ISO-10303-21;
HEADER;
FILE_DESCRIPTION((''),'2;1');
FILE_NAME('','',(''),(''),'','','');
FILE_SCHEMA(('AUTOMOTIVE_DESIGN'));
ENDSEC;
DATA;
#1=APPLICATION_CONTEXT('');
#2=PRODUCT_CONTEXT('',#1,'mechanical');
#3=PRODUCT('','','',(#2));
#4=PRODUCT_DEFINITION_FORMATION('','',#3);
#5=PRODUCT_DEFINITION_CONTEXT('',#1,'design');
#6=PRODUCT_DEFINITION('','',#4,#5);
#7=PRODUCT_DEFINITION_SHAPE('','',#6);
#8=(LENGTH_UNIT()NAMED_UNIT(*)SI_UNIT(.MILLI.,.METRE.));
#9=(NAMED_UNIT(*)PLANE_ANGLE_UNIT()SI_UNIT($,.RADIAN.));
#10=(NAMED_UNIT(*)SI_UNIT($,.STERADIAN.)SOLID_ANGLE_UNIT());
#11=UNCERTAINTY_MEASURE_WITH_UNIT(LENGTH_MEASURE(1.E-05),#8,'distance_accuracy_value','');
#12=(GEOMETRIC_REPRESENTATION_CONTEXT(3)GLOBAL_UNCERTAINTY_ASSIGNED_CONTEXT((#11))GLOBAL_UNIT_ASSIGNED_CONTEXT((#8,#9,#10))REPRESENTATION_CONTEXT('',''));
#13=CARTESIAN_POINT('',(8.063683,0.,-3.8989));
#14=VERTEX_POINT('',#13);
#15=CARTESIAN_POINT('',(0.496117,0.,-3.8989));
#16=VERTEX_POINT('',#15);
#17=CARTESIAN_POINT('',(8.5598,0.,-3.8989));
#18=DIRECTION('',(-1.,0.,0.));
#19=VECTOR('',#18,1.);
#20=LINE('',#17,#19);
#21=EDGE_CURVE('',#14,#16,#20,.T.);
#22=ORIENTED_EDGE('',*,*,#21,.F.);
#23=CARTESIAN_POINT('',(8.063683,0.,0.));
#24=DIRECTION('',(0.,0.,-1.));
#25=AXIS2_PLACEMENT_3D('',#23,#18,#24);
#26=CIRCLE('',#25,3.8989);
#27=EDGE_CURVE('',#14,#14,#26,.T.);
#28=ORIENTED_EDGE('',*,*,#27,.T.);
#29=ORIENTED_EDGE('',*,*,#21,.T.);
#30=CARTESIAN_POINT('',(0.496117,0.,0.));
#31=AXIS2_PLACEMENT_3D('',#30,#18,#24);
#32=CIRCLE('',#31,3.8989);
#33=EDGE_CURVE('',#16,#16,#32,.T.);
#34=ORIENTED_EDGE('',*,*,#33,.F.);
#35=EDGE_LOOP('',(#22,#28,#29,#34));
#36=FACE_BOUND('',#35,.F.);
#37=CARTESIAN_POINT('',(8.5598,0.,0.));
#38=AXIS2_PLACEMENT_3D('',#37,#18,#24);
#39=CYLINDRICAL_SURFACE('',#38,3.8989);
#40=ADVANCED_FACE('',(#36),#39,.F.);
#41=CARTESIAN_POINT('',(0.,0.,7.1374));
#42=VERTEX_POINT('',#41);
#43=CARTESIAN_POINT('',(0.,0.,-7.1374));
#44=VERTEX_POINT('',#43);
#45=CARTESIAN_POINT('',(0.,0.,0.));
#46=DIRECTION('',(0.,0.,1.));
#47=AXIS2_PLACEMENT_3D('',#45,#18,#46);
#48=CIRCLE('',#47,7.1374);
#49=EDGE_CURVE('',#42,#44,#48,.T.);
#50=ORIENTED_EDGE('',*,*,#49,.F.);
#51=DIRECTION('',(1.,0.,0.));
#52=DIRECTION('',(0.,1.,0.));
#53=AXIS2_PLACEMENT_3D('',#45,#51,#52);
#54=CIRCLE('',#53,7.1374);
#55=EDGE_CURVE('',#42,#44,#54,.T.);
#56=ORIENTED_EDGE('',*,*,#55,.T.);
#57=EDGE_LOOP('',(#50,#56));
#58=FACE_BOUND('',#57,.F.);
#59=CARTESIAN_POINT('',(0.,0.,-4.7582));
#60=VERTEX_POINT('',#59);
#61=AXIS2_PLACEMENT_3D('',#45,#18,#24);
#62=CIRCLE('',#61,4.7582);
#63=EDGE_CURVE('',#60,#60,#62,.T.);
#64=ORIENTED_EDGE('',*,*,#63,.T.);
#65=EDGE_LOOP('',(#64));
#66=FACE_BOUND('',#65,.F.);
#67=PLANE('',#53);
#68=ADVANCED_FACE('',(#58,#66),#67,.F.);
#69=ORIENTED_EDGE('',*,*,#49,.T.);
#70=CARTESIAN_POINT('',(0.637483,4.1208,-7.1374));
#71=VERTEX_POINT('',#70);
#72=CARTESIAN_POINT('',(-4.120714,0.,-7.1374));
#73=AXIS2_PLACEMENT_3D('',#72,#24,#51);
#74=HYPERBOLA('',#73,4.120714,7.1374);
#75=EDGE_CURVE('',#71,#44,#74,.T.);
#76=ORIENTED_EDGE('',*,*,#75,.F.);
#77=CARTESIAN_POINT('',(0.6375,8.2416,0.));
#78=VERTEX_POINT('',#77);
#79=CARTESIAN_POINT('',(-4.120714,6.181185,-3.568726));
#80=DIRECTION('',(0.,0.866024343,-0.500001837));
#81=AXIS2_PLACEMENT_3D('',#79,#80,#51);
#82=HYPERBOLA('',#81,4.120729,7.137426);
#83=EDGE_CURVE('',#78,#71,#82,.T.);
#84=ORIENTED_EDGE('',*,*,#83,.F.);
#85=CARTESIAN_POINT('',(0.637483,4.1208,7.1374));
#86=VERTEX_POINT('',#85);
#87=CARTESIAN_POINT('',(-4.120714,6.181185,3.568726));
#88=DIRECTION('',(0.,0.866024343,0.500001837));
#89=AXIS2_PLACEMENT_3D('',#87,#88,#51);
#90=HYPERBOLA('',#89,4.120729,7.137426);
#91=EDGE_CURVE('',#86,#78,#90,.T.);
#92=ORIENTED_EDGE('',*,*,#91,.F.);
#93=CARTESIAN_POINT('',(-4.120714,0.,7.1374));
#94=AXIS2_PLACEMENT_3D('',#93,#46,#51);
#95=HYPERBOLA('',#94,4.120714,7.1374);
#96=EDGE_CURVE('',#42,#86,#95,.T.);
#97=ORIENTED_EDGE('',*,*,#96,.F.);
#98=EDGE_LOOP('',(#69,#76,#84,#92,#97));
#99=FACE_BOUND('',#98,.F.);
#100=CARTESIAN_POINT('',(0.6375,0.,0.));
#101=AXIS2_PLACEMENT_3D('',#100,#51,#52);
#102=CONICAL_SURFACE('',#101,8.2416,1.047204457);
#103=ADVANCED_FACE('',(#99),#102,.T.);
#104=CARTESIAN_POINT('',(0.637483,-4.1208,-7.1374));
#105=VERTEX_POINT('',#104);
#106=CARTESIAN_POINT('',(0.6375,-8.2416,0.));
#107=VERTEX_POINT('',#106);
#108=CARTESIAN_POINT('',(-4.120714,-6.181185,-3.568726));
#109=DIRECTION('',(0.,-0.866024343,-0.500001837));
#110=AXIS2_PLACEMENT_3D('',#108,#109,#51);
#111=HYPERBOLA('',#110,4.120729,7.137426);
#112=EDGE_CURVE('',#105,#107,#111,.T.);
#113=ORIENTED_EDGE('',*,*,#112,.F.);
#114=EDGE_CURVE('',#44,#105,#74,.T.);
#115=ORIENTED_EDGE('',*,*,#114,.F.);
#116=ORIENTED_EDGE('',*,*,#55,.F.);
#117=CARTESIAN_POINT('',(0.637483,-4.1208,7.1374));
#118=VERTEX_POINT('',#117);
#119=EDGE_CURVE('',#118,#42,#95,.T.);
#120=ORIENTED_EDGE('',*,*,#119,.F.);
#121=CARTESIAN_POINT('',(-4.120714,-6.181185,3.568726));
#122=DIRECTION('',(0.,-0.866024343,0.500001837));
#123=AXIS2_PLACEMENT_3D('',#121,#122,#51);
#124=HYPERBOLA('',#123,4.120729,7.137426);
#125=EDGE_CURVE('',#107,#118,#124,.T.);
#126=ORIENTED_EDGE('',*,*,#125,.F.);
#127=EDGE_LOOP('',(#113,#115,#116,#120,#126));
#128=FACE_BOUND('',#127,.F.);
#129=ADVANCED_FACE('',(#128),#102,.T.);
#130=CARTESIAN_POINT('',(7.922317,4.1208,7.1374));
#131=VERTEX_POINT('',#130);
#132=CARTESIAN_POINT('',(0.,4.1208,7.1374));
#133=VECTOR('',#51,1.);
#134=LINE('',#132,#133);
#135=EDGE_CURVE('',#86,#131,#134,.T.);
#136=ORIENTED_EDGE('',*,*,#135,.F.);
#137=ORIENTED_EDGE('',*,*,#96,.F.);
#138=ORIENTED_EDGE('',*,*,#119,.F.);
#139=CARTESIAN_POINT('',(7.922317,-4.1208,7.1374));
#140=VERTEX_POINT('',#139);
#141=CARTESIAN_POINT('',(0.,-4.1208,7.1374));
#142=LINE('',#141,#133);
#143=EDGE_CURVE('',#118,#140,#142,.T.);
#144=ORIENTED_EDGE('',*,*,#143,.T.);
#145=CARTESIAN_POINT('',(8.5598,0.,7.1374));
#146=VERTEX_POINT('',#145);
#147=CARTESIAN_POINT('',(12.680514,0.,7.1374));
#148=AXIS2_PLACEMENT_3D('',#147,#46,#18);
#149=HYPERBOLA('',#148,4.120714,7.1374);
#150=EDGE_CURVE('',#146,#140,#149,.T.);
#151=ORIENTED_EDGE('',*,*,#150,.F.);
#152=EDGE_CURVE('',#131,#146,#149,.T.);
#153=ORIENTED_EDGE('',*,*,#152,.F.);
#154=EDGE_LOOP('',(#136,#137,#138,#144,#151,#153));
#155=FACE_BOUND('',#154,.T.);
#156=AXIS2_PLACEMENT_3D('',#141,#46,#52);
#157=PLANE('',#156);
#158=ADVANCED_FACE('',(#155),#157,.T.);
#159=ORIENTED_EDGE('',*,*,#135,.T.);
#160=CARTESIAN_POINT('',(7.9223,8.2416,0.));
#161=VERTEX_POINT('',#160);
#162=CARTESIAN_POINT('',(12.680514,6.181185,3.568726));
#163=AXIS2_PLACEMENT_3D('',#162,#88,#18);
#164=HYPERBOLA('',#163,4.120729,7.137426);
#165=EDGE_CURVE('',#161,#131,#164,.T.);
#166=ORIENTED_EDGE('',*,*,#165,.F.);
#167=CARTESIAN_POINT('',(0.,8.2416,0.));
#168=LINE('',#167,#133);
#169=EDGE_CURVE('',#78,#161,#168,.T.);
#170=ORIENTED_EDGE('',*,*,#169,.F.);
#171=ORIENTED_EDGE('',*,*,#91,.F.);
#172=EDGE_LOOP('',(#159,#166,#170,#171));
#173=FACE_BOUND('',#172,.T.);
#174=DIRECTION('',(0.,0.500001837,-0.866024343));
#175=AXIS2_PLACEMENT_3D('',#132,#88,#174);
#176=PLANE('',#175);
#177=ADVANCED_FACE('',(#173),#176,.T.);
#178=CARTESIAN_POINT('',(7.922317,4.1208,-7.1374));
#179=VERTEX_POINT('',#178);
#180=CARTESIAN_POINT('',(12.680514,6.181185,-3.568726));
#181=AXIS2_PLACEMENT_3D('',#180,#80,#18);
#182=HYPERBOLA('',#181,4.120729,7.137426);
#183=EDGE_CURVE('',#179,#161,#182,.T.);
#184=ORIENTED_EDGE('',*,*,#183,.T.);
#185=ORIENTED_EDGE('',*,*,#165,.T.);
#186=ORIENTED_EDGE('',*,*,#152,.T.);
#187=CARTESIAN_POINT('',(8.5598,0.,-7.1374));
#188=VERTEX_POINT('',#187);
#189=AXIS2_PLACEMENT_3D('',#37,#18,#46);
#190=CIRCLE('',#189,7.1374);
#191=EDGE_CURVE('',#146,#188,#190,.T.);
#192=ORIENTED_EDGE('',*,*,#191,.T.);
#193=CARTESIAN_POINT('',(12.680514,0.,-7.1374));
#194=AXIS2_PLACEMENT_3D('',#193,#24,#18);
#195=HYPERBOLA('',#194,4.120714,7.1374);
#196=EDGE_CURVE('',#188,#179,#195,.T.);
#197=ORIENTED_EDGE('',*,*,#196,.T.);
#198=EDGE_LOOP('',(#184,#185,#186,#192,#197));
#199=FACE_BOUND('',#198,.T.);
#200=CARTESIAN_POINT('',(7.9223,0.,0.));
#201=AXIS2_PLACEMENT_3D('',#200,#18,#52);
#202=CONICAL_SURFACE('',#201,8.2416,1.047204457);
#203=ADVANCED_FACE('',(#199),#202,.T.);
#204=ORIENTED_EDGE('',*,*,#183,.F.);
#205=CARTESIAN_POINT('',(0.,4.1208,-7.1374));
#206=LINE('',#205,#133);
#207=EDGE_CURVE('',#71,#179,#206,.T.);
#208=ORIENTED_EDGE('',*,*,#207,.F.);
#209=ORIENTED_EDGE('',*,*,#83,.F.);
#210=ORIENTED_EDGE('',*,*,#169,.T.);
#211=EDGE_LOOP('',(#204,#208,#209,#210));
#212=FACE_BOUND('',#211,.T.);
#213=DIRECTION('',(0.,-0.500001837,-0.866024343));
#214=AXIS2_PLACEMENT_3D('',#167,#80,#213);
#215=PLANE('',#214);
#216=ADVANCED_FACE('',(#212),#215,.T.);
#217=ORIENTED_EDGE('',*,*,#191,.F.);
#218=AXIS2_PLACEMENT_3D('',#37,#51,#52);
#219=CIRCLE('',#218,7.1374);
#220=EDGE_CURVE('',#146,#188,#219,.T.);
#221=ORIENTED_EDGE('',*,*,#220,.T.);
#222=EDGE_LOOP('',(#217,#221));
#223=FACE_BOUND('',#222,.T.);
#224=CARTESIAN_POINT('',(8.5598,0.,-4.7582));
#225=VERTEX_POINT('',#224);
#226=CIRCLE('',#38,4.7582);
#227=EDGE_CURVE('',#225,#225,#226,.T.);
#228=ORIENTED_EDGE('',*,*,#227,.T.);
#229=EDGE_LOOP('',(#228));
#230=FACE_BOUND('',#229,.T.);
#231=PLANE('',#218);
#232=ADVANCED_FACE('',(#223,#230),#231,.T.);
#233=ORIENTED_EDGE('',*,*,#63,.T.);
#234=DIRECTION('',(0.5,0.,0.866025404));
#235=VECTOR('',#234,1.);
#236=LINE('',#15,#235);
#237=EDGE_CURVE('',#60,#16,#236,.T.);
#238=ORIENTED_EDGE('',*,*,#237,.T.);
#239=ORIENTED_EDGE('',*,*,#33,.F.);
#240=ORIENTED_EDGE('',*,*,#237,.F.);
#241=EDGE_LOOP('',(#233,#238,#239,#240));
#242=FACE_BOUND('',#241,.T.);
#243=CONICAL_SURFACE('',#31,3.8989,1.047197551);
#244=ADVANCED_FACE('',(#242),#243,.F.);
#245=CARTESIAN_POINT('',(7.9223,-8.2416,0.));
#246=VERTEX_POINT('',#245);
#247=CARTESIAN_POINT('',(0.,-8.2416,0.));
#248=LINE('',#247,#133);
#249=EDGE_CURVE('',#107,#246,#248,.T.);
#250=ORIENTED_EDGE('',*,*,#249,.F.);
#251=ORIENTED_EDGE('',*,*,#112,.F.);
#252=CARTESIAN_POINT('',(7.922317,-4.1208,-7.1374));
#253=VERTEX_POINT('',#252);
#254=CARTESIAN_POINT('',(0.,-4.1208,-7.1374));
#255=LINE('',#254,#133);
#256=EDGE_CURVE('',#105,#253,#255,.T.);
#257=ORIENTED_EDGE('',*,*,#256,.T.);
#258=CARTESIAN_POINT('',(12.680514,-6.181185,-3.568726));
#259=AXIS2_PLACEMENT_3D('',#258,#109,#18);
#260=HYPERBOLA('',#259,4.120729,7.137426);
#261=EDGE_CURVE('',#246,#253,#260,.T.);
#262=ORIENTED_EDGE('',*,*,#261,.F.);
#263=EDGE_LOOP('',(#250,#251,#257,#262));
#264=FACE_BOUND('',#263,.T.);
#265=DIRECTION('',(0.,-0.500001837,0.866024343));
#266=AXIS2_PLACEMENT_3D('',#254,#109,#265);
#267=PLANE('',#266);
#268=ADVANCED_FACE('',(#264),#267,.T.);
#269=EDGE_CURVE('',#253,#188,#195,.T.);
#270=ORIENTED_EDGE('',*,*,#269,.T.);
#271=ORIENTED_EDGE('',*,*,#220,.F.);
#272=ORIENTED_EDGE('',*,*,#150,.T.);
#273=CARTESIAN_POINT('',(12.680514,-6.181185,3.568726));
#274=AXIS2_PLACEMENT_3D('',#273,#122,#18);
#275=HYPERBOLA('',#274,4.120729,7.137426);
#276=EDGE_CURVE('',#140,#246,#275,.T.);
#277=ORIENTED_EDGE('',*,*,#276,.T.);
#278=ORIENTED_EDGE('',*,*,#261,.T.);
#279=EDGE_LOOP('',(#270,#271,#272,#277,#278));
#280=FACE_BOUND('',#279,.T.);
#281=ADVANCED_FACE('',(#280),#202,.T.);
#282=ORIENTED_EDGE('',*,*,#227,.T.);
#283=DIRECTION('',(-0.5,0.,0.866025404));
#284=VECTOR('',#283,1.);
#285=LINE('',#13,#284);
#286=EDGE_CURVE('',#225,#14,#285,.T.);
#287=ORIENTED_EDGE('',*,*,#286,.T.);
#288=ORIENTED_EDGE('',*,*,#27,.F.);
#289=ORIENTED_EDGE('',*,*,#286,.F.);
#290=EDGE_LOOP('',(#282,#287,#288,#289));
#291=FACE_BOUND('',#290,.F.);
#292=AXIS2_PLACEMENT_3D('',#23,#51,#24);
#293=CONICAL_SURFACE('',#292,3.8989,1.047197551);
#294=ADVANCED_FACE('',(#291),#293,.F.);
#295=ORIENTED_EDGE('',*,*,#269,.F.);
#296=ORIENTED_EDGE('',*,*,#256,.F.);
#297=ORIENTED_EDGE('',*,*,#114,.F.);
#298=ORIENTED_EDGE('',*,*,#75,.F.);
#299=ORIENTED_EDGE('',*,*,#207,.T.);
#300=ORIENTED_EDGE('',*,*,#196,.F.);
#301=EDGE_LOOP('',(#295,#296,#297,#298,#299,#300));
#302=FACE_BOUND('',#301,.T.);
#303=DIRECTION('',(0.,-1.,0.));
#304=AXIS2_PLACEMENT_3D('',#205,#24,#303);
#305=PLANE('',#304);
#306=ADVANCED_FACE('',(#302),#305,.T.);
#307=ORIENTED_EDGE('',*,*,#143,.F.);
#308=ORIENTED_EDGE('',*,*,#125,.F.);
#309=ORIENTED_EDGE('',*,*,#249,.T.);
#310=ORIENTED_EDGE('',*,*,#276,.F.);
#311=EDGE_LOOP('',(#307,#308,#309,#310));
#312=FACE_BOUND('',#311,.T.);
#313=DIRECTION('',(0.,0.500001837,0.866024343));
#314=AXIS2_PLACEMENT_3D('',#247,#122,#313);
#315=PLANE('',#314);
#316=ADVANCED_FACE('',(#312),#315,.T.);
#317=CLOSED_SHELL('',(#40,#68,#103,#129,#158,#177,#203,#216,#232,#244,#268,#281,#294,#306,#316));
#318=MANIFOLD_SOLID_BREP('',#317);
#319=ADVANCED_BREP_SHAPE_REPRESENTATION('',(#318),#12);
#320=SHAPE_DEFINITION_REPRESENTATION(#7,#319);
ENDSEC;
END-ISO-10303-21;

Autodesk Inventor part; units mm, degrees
ref_plane "YZ Plane" through (0, 0, 0) normal (1, 0, 0) x (0, 1, 0)
ref_plane "XZ Plane" through (0, 0, 0) normal (0, 1, 0) x (-1, 0, 0)
sketch "Sketch1" plane through (0, 0, 0) normal (1, 0, 0) x (0, 1, 0)
  line L0 (-8.2416, 0) -> (-4.1208, 7.1374)
  line L1 (-4.1208, 7.1374) -> (4.1208, 7.1374)
  line L2 (4.1208, 7.1374) -> (8.2416, 0)
  line L3 (8.2416, 0) -> (4.1208, -7.1374)
  line L4 (4.1208, -7.1374) -> (-4.1208, -7.1374)
  line L5 (-4.1208, -7.1374) -> (-8.2416, 0)
  point P0 (0, 0)
  point P1 (0, 0)
  dimension "d0" = 16.4831
extrude "Body" add sketch "Sketch1" along normal blind 8.5598
sketch "Sketch2" plane through (0, 0, 0) normal (0, 0, 1) x (1, 0, 0)
  line L0 (0, 4.1208) -> (0, 8.2416) projected
  line L1 (0, 8.2416) -> (8.5598, 8.2416) projected
  line L2 (8.5598, 4.1208) -> (8.5598, 8.2416) projected
  line L3 (-1.712, 0) -> (10.2718, 0) projected
  line L4 (0.6375, 8.2416) -> (0, 7.1374)
  line L5 (7.9223, 8.2416) -> (8.5598, 7.1374)
  dimension "d3" = 30
  dimension "d4" = 30
  dimension "d5" = 14.2748
  dimension "d6" = 14.2748
revolve "Chamfer1" cut sketch "Sketch2" angle 360 about axis through (-10, 0, 0) along (1, 0, 0)
sketch "Sketch3" plane through (8.5598, 0, 0) normal (1, 0, 0) x (0, 0, -1)
  arc A0 (-3.5687, -6.1812) -> (3.5687, -6.1812) centre (0, 0) ccw projected
hole "Thread" at (8.5598, 0, 0) direction (-1, 0, 0) diameter 7.7978 end through all thread size "3/8-16 UNC" class "2B" standard "ANSI Unified Screw Threads"
chamfer "Chamfer2" distance 0.8593 angle 30 1 edges at (8.5598, 0, 3.8989) measured on face at (8.5598, 6.0224, 0.1567)
chamfer "Chamfer3" distance 0.8593 angle 30 1 edges at (0, 0, 3.8989) measured on face at (0, 6.0224, 0.1567)
ref_plane "Work Plane1" through (-14.8653, 0, 0) normal (0, -0.866, -0.5) x (1, 0, 0)
equation "\"d0\" = 1.1547 * SW"
equation "\"d1\" = KOH"
equation "\"d3\" = ANG1"
equation "\"d4\" = ANG2"
equation "\"d5\" = SW0"
equation "\"d6\" = SW01"
equation "\"d8\" = -0.5 * GD1 + 0.5 * NND"
equation "\"d40\" = -0.5 * GD1 + 0.5 * NND"
equation "\"d10\" = -0.5 * GD1 + 0.5 * NND"
equation "\"d41\" = -0.5 * GD1 + 0.5 * NND"
equation "\"ANG1\" = 30deg"
equation "\"ANG2\" = 30deg"
equation "\"NND\" = 9.525"
equation "\"KOH\" = 8.5598"
equation "\"SW\" = 14.2748"
equation "\"SW0\" = SW"
equation "\"SW01\" = SW"
equation "\"THREADDIA\" = 9.525"
equation "\"TOA\" = 30deg"
equation "\"E0\" = 1.155 * SW"
equation "\"GD1\" = 7.806481"
properties part number "AS 2465 - 3/8  UNC" material "Steel, Mild"
